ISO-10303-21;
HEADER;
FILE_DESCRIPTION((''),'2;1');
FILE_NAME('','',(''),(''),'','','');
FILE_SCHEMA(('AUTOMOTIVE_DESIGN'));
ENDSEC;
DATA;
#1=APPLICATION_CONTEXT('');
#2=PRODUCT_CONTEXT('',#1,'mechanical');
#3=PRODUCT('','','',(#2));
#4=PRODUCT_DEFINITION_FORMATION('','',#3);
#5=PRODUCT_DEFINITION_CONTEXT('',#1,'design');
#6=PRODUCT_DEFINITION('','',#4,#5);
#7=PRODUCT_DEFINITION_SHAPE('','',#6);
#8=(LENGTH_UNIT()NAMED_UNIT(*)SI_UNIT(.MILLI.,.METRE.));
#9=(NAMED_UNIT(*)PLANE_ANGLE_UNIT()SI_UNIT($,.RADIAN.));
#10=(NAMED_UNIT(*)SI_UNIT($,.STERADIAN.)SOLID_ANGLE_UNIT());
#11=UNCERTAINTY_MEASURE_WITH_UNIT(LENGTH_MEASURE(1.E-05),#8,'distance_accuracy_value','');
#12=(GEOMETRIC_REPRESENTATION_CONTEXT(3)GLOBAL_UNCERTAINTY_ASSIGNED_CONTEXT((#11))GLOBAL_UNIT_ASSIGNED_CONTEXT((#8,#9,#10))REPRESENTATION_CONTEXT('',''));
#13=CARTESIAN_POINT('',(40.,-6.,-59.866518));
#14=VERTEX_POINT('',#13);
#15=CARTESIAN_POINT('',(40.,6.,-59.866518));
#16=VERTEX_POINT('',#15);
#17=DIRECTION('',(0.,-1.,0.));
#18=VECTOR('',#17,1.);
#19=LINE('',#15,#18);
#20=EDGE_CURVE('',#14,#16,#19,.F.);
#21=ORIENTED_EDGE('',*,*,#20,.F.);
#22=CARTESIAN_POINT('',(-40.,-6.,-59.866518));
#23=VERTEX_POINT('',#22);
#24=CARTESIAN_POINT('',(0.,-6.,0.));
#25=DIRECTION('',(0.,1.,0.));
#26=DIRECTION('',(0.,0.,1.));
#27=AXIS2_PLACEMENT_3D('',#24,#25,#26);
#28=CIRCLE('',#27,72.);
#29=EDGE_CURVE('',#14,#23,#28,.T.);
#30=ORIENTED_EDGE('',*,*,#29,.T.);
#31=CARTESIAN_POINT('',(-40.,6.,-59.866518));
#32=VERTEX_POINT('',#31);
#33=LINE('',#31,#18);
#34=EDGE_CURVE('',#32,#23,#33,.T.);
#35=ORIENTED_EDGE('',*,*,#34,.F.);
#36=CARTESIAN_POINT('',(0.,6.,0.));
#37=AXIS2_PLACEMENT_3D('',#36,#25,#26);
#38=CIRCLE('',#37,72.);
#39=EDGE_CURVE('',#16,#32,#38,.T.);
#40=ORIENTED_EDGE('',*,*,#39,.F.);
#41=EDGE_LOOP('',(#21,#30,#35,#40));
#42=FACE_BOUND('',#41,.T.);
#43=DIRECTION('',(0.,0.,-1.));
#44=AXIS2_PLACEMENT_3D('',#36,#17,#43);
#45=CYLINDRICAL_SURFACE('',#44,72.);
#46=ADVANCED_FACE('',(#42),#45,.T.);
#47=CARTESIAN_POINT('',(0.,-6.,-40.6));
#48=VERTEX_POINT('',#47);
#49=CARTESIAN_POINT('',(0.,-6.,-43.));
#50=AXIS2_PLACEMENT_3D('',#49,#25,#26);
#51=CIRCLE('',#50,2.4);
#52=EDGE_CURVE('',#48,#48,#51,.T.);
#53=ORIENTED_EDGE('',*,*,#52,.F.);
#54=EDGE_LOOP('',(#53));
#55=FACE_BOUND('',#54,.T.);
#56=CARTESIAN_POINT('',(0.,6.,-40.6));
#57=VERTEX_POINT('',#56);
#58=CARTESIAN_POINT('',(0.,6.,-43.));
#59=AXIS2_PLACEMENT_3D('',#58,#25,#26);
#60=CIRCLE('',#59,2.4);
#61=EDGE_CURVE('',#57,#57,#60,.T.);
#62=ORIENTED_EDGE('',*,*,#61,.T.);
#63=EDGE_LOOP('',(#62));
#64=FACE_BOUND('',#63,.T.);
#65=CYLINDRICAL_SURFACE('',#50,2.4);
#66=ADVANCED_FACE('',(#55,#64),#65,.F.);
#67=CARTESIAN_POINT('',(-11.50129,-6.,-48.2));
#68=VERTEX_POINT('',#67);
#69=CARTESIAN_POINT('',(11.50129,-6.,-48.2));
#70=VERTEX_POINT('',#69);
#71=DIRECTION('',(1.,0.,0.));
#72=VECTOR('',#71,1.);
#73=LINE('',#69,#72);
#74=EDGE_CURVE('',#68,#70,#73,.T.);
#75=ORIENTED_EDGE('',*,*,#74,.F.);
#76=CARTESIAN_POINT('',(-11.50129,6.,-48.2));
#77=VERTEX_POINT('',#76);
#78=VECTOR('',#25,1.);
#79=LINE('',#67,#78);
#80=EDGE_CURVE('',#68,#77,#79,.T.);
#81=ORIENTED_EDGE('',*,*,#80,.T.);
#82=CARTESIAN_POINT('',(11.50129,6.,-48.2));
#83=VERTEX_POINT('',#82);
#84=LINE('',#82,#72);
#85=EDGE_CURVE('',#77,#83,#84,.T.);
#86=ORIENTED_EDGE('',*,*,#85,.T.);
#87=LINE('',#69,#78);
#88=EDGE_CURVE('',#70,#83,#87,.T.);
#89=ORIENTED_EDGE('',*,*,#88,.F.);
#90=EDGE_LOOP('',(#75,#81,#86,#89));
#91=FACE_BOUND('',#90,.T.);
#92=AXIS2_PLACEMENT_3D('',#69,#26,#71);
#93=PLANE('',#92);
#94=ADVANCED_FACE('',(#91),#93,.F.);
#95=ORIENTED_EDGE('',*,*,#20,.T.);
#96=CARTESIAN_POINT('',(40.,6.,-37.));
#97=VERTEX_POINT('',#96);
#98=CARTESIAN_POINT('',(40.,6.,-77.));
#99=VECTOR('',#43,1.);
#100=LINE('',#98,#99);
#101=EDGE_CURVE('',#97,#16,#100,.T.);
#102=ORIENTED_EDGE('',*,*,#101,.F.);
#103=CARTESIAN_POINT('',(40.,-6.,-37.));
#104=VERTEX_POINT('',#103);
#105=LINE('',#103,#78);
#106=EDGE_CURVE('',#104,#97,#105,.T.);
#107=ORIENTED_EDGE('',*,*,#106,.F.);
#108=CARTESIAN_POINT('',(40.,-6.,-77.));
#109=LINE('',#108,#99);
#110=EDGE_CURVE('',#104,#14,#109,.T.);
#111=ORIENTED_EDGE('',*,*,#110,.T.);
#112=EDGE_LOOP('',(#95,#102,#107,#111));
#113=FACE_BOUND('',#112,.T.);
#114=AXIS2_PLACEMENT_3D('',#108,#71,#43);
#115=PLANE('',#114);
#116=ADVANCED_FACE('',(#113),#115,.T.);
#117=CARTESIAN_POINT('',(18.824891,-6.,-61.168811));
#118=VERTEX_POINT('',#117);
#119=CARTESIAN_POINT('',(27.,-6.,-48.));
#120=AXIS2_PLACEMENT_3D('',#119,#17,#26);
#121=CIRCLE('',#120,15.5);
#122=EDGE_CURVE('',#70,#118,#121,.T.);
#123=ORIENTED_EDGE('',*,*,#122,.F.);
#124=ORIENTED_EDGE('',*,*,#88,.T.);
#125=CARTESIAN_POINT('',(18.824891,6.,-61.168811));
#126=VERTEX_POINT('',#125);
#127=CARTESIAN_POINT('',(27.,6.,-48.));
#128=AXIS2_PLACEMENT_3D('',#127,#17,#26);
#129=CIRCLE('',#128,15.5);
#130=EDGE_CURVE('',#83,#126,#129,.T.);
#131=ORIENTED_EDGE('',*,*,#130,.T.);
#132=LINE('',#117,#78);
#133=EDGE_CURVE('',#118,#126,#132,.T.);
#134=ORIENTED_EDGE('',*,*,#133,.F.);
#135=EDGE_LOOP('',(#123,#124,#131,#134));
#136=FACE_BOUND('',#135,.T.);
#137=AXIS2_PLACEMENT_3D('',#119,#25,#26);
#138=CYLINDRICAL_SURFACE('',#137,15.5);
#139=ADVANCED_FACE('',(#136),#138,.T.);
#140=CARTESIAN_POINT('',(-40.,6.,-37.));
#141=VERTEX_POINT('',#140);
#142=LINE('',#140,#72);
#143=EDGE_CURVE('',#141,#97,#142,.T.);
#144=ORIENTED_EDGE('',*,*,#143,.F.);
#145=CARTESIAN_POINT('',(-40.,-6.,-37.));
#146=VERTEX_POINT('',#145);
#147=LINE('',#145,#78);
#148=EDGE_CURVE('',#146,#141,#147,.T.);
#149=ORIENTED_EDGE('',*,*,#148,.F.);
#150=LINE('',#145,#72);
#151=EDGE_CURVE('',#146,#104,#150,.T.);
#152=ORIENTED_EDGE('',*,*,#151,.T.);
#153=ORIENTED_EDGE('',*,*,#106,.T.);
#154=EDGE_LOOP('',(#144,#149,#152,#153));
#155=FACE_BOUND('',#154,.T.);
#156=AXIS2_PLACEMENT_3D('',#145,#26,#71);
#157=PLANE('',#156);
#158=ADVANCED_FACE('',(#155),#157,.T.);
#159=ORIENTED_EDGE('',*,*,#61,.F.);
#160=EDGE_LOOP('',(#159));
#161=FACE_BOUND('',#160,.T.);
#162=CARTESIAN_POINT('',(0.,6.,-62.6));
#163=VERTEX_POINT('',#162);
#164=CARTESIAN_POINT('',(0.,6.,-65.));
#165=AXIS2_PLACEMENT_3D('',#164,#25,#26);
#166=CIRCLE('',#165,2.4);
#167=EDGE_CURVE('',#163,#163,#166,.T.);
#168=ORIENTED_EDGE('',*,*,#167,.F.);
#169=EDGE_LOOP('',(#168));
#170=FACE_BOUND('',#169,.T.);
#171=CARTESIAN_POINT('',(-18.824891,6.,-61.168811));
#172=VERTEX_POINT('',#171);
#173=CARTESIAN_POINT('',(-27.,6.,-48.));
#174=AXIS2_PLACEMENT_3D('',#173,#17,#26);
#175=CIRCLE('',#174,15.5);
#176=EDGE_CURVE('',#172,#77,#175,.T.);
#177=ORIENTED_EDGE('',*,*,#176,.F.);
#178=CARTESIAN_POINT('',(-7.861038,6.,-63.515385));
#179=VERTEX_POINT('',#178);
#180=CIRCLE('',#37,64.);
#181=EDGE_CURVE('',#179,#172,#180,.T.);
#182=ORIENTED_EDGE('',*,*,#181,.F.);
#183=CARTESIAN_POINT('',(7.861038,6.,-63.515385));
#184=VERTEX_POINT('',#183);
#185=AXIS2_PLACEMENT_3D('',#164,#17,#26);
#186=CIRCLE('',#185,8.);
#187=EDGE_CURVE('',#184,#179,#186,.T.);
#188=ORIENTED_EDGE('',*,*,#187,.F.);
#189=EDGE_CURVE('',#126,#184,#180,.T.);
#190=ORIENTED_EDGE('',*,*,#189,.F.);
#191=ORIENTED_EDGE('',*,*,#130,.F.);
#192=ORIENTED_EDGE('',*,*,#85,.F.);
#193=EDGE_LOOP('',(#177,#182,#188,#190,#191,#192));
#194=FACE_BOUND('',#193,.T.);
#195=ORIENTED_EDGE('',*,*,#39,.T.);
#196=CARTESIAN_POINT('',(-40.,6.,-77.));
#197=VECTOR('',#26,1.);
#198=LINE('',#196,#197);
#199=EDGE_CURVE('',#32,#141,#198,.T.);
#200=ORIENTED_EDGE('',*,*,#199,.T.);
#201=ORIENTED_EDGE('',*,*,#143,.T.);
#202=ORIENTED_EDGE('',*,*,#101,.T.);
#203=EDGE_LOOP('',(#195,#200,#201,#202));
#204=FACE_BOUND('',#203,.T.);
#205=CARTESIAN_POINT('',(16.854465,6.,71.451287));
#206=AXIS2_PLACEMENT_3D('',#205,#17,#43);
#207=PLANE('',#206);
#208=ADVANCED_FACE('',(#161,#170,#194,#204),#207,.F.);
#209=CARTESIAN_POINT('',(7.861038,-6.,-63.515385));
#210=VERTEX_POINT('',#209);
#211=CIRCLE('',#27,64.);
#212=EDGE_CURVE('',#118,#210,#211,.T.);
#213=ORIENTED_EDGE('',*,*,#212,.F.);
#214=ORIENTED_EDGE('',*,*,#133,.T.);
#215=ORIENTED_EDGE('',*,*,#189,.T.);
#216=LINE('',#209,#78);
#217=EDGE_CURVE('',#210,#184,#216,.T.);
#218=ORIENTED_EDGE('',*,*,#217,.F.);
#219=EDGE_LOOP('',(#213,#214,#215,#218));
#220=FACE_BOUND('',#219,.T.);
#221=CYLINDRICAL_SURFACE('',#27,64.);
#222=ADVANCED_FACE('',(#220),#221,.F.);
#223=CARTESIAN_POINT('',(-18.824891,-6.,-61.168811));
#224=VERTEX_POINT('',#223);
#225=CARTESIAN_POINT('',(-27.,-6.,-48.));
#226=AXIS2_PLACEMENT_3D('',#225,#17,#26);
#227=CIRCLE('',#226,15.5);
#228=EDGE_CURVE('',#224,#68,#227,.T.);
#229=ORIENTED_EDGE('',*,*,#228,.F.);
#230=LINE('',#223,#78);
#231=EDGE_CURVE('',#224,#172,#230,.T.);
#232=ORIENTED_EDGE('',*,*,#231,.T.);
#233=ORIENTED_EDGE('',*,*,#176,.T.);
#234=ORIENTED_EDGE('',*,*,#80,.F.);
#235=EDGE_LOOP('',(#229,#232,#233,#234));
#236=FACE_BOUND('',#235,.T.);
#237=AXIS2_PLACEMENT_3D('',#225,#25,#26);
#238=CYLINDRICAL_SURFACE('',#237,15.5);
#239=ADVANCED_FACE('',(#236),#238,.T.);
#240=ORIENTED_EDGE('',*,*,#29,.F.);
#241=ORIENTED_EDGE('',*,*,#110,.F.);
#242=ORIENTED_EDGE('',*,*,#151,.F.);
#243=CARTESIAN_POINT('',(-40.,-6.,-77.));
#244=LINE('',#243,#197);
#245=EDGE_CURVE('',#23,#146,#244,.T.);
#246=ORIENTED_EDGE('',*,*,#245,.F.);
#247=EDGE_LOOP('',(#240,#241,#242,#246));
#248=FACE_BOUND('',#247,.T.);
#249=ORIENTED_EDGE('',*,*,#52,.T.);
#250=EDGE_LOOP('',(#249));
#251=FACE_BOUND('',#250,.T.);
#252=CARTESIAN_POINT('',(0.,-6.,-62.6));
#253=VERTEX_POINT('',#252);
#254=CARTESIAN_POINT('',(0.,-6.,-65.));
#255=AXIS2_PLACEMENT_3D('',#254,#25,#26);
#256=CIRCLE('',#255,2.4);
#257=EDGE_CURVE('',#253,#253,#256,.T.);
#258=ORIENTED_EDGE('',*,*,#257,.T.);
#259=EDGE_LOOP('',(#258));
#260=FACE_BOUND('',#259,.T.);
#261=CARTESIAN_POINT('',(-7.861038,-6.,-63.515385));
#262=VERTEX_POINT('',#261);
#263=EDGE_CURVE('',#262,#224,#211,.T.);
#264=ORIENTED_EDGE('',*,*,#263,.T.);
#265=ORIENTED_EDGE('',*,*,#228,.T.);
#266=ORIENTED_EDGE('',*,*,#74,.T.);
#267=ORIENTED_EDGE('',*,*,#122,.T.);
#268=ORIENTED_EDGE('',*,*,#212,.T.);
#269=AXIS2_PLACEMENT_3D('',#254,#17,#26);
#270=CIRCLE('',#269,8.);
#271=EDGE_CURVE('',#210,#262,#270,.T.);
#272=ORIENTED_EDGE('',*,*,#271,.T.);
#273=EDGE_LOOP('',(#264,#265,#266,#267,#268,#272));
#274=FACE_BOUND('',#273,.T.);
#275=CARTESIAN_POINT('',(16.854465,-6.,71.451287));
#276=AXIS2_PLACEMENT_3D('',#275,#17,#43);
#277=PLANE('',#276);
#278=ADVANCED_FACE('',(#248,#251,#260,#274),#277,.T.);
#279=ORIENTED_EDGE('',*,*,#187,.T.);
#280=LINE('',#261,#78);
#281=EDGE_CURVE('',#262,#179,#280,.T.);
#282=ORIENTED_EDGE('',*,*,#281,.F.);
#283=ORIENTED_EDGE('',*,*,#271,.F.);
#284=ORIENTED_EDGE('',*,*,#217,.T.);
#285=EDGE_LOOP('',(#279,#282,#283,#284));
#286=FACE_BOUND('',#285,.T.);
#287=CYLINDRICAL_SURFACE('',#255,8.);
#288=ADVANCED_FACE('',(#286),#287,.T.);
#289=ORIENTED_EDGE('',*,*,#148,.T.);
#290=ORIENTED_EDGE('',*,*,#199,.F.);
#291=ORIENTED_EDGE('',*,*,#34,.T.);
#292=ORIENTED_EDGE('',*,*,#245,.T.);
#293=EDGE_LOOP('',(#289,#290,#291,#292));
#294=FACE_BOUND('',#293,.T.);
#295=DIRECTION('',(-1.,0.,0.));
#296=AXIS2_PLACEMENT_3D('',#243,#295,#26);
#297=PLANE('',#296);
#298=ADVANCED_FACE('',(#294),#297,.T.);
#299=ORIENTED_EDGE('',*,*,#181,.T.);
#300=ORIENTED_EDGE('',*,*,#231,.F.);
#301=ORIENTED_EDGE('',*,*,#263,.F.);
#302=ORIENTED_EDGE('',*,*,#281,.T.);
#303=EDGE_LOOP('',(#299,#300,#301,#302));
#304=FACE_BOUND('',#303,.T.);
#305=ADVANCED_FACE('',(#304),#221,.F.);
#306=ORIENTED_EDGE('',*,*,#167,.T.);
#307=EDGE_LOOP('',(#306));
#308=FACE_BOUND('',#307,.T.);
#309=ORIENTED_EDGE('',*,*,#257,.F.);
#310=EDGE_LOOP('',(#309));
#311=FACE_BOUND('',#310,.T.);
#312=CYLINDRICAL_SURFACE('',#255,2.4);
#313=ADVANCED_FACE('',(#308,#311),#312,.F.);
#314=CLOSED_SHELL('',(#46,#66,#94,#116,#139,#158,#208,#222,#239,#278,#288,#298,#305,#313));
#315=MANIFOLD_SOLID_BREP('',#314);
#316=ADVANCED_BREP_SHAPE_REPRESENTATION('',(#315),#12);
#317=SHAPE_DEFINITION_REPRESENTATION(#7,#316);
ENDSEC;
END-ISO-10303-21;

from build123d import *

# Parameters (mm, degrees)
BOSS_EXTRUDE1_DEPTH  = 6
CUT_EXTRUDE15_DEPTH  = 103.528044944
SKETCH19_OUTSIDE_W   = 185.536
SKETCH19_OUTSIDE_H   = 176.439
SKETCH19_OUTSIDE_W_2 = 80
SKETCH19_OUTSIDE_H_2 = 40
CUT_EXTRUDE16_DEPTH  = 103.528044944
SKETCH20_R           = 2.4
CUT_EXTRUDE17_DEPTH  = 84.234608187


with BuildPart() as part:
    # Sketch1 → Boss-Extrude1 (new, symmetric)
    with BuildSketch(Plane(origin=(0, 0, 0), x_dir=(1, 0, 0), z_dir=(0, 1, 0))):
        with BuildLine():
            ThreePointArc((36.224522061, -62.223661106), (0, 72), (-36.224522061, -62.223661106))
            ThreePointArc((-36.224522061, -62.223661106), (-32.797800029, -62.818856853), (-29.811944095, -61.035223988))
            ThreePointArc((-29.811944095, -61.035223988), (0, -46.75), (29.811944095, -61.035223988))
            ThreePointArc((29.811944095, -61.035223988), (32.797800029, -62.818856853), (36.224522061, -62.223661106))
        make_face()
    extrude(amount=BOSS_EXTRUDE1_DEPTH, both=True)

    # Sketch17 → Cut-Extrude15 (cut, through all)
    with BuildSketch(Plane(origin=(0, 6, 0), x_dir=(1, 0, 0), z_dir=(0, 1, 0))):
        with BuildLine():
            Line((11.501290376, 48.2), (-11.501290376, 48.2))
            ThreePointArc((-11.501290376, 48.2), (-13.503335986, 55.621683574), (-18.824890953, 61.168811339))
            ThreePointArc((-18.824890953, 61.168811339), (-13.394450398, 62.582654933), (-7.861037919, 63.515384615))
            ThreePointArc((-7.861037919, 63.515384615), (0, 57), (7.861037919, 63.515384615))
            ThreePointArc((7.861037919, 63.515384615), (13.394450398, 62.582654933), (18.824890953, 61.168811339))
            ThreePointArc((18.824890953, 61.168811339), (13.503335986, 55.621683574), (11.501290376, 48.2))
        make_face()
    extrude(amount=-CUT_EXTRUDE15_DEPTH, mode=Mode.SUBTRACT)

    # Sketch19 outside → Cut-Extrude16 (cut, through all)
    with BuildSketch(Plane(origin=(0, 6, 0), x_dir=(1, 0, 0), z_dir=(0, 1, 0))):
        with Locations((0, 4.5485)):
            Rectangle(SKETCH19_OUTSIDE_W, SKETCH19_OUTSIDE_H)
        with Locations((0, 57)):
            Rectangle(SKETCH19_OUTSIDE_W_2, SKETCH19_OUTSIDE_H_2, mode=Mode.SUBTRACT)
    extrude(amount=-CUT_EXTRUDE16_DEPTH, mode=Mode.SUBTRACT)

    # Sketch20 → Cut-Extrude17 (cut, through all)
    with BuildSketch(Plane(origin=(0, 6, 0), x_dir=(1, 0, 0), z_dir=(0, 1, 0))):
        with Locations(Location((0, 65, 0), (0, 0, 270))):
            Circle(SKETCH20_R)
        with Locations(Location((0, 43, 0), (0, 0, 270))):
            Circle(SKETCH20_R)
    extrude(amount=-CUT_EXTRUDE17_DEPTH, mode=Mode.SUBTRACT)


solid = part.part
